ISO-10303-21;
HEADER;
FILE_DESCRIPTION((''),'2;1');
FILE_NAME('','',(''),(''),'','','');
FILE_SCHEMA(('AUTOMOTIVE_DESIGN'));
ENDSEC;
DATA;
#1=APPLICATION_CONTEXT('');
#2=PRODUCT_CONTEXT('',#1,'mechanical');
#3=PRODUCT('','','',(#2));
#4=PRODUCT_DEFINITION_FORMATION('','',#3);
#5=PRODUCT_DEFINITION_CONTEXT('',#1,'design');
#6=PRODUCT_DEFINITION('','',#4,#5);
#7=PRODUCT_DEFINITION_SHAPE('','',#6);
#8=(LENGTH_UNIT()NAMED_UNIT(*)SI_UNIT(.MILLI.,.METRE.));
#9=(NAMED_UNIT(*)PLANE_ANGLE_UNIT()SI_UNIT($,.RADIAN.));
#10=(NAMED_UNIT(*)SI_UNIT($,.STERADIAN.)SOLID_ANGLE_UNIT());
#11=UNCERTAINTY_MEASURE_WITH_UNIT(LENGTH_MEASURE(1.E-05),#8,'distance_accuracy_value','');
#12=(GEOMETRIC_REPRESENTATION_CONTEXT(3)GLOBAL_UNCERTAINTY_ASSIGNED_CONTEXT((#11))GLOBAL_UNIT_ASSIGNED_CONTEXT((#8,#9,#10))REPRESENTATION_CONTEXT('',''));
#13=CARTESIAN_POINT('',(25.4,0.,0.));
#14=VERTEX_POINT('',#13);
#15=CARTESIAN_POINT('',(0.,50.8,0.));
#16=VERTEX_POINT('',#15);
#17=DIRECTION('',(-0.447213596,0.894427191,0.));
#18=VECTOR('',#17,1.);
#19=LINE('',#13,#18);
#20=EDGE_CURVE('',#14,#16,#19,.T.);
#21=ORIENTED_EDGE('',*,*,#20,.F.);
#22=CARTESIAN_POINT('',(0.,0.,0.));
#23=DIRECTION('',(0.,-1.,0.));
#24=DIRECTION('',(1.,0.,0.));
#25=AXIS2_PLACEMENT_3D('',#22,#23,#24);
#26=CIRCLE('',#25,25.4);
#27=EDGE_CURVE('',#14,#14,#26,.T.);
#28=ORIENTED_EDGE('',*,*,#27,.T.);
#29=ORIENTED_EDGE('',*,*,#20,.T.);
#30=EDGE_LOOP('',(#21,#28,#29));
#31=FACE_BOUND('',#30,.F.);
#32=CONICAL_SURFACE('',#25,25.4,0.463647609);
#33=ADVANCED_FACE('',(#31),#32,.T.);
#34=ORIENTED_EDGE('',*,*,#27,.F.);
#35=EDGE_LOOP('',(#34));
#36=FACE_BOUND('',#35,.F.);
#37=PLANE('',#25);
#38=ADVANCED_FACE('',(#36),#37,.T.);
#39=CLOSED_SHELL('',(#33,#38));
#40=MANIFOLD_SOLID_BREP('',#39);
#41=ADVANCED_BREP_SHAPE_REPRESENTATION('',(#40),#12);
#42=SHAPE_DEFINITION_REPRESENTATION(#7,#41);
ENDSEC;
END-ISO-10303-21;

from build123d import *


with BuildPart() as f2:
    # F0 (on Top) → F2 (revolve)
    with BuildSketch(Plane.XY):
        Polygon((0, 50.8), (0, 0), (25.4, 0), align=None)
    revolve(axis=Axis((0, 0, 0), (0, -1, 0)))


solid = f2.part
